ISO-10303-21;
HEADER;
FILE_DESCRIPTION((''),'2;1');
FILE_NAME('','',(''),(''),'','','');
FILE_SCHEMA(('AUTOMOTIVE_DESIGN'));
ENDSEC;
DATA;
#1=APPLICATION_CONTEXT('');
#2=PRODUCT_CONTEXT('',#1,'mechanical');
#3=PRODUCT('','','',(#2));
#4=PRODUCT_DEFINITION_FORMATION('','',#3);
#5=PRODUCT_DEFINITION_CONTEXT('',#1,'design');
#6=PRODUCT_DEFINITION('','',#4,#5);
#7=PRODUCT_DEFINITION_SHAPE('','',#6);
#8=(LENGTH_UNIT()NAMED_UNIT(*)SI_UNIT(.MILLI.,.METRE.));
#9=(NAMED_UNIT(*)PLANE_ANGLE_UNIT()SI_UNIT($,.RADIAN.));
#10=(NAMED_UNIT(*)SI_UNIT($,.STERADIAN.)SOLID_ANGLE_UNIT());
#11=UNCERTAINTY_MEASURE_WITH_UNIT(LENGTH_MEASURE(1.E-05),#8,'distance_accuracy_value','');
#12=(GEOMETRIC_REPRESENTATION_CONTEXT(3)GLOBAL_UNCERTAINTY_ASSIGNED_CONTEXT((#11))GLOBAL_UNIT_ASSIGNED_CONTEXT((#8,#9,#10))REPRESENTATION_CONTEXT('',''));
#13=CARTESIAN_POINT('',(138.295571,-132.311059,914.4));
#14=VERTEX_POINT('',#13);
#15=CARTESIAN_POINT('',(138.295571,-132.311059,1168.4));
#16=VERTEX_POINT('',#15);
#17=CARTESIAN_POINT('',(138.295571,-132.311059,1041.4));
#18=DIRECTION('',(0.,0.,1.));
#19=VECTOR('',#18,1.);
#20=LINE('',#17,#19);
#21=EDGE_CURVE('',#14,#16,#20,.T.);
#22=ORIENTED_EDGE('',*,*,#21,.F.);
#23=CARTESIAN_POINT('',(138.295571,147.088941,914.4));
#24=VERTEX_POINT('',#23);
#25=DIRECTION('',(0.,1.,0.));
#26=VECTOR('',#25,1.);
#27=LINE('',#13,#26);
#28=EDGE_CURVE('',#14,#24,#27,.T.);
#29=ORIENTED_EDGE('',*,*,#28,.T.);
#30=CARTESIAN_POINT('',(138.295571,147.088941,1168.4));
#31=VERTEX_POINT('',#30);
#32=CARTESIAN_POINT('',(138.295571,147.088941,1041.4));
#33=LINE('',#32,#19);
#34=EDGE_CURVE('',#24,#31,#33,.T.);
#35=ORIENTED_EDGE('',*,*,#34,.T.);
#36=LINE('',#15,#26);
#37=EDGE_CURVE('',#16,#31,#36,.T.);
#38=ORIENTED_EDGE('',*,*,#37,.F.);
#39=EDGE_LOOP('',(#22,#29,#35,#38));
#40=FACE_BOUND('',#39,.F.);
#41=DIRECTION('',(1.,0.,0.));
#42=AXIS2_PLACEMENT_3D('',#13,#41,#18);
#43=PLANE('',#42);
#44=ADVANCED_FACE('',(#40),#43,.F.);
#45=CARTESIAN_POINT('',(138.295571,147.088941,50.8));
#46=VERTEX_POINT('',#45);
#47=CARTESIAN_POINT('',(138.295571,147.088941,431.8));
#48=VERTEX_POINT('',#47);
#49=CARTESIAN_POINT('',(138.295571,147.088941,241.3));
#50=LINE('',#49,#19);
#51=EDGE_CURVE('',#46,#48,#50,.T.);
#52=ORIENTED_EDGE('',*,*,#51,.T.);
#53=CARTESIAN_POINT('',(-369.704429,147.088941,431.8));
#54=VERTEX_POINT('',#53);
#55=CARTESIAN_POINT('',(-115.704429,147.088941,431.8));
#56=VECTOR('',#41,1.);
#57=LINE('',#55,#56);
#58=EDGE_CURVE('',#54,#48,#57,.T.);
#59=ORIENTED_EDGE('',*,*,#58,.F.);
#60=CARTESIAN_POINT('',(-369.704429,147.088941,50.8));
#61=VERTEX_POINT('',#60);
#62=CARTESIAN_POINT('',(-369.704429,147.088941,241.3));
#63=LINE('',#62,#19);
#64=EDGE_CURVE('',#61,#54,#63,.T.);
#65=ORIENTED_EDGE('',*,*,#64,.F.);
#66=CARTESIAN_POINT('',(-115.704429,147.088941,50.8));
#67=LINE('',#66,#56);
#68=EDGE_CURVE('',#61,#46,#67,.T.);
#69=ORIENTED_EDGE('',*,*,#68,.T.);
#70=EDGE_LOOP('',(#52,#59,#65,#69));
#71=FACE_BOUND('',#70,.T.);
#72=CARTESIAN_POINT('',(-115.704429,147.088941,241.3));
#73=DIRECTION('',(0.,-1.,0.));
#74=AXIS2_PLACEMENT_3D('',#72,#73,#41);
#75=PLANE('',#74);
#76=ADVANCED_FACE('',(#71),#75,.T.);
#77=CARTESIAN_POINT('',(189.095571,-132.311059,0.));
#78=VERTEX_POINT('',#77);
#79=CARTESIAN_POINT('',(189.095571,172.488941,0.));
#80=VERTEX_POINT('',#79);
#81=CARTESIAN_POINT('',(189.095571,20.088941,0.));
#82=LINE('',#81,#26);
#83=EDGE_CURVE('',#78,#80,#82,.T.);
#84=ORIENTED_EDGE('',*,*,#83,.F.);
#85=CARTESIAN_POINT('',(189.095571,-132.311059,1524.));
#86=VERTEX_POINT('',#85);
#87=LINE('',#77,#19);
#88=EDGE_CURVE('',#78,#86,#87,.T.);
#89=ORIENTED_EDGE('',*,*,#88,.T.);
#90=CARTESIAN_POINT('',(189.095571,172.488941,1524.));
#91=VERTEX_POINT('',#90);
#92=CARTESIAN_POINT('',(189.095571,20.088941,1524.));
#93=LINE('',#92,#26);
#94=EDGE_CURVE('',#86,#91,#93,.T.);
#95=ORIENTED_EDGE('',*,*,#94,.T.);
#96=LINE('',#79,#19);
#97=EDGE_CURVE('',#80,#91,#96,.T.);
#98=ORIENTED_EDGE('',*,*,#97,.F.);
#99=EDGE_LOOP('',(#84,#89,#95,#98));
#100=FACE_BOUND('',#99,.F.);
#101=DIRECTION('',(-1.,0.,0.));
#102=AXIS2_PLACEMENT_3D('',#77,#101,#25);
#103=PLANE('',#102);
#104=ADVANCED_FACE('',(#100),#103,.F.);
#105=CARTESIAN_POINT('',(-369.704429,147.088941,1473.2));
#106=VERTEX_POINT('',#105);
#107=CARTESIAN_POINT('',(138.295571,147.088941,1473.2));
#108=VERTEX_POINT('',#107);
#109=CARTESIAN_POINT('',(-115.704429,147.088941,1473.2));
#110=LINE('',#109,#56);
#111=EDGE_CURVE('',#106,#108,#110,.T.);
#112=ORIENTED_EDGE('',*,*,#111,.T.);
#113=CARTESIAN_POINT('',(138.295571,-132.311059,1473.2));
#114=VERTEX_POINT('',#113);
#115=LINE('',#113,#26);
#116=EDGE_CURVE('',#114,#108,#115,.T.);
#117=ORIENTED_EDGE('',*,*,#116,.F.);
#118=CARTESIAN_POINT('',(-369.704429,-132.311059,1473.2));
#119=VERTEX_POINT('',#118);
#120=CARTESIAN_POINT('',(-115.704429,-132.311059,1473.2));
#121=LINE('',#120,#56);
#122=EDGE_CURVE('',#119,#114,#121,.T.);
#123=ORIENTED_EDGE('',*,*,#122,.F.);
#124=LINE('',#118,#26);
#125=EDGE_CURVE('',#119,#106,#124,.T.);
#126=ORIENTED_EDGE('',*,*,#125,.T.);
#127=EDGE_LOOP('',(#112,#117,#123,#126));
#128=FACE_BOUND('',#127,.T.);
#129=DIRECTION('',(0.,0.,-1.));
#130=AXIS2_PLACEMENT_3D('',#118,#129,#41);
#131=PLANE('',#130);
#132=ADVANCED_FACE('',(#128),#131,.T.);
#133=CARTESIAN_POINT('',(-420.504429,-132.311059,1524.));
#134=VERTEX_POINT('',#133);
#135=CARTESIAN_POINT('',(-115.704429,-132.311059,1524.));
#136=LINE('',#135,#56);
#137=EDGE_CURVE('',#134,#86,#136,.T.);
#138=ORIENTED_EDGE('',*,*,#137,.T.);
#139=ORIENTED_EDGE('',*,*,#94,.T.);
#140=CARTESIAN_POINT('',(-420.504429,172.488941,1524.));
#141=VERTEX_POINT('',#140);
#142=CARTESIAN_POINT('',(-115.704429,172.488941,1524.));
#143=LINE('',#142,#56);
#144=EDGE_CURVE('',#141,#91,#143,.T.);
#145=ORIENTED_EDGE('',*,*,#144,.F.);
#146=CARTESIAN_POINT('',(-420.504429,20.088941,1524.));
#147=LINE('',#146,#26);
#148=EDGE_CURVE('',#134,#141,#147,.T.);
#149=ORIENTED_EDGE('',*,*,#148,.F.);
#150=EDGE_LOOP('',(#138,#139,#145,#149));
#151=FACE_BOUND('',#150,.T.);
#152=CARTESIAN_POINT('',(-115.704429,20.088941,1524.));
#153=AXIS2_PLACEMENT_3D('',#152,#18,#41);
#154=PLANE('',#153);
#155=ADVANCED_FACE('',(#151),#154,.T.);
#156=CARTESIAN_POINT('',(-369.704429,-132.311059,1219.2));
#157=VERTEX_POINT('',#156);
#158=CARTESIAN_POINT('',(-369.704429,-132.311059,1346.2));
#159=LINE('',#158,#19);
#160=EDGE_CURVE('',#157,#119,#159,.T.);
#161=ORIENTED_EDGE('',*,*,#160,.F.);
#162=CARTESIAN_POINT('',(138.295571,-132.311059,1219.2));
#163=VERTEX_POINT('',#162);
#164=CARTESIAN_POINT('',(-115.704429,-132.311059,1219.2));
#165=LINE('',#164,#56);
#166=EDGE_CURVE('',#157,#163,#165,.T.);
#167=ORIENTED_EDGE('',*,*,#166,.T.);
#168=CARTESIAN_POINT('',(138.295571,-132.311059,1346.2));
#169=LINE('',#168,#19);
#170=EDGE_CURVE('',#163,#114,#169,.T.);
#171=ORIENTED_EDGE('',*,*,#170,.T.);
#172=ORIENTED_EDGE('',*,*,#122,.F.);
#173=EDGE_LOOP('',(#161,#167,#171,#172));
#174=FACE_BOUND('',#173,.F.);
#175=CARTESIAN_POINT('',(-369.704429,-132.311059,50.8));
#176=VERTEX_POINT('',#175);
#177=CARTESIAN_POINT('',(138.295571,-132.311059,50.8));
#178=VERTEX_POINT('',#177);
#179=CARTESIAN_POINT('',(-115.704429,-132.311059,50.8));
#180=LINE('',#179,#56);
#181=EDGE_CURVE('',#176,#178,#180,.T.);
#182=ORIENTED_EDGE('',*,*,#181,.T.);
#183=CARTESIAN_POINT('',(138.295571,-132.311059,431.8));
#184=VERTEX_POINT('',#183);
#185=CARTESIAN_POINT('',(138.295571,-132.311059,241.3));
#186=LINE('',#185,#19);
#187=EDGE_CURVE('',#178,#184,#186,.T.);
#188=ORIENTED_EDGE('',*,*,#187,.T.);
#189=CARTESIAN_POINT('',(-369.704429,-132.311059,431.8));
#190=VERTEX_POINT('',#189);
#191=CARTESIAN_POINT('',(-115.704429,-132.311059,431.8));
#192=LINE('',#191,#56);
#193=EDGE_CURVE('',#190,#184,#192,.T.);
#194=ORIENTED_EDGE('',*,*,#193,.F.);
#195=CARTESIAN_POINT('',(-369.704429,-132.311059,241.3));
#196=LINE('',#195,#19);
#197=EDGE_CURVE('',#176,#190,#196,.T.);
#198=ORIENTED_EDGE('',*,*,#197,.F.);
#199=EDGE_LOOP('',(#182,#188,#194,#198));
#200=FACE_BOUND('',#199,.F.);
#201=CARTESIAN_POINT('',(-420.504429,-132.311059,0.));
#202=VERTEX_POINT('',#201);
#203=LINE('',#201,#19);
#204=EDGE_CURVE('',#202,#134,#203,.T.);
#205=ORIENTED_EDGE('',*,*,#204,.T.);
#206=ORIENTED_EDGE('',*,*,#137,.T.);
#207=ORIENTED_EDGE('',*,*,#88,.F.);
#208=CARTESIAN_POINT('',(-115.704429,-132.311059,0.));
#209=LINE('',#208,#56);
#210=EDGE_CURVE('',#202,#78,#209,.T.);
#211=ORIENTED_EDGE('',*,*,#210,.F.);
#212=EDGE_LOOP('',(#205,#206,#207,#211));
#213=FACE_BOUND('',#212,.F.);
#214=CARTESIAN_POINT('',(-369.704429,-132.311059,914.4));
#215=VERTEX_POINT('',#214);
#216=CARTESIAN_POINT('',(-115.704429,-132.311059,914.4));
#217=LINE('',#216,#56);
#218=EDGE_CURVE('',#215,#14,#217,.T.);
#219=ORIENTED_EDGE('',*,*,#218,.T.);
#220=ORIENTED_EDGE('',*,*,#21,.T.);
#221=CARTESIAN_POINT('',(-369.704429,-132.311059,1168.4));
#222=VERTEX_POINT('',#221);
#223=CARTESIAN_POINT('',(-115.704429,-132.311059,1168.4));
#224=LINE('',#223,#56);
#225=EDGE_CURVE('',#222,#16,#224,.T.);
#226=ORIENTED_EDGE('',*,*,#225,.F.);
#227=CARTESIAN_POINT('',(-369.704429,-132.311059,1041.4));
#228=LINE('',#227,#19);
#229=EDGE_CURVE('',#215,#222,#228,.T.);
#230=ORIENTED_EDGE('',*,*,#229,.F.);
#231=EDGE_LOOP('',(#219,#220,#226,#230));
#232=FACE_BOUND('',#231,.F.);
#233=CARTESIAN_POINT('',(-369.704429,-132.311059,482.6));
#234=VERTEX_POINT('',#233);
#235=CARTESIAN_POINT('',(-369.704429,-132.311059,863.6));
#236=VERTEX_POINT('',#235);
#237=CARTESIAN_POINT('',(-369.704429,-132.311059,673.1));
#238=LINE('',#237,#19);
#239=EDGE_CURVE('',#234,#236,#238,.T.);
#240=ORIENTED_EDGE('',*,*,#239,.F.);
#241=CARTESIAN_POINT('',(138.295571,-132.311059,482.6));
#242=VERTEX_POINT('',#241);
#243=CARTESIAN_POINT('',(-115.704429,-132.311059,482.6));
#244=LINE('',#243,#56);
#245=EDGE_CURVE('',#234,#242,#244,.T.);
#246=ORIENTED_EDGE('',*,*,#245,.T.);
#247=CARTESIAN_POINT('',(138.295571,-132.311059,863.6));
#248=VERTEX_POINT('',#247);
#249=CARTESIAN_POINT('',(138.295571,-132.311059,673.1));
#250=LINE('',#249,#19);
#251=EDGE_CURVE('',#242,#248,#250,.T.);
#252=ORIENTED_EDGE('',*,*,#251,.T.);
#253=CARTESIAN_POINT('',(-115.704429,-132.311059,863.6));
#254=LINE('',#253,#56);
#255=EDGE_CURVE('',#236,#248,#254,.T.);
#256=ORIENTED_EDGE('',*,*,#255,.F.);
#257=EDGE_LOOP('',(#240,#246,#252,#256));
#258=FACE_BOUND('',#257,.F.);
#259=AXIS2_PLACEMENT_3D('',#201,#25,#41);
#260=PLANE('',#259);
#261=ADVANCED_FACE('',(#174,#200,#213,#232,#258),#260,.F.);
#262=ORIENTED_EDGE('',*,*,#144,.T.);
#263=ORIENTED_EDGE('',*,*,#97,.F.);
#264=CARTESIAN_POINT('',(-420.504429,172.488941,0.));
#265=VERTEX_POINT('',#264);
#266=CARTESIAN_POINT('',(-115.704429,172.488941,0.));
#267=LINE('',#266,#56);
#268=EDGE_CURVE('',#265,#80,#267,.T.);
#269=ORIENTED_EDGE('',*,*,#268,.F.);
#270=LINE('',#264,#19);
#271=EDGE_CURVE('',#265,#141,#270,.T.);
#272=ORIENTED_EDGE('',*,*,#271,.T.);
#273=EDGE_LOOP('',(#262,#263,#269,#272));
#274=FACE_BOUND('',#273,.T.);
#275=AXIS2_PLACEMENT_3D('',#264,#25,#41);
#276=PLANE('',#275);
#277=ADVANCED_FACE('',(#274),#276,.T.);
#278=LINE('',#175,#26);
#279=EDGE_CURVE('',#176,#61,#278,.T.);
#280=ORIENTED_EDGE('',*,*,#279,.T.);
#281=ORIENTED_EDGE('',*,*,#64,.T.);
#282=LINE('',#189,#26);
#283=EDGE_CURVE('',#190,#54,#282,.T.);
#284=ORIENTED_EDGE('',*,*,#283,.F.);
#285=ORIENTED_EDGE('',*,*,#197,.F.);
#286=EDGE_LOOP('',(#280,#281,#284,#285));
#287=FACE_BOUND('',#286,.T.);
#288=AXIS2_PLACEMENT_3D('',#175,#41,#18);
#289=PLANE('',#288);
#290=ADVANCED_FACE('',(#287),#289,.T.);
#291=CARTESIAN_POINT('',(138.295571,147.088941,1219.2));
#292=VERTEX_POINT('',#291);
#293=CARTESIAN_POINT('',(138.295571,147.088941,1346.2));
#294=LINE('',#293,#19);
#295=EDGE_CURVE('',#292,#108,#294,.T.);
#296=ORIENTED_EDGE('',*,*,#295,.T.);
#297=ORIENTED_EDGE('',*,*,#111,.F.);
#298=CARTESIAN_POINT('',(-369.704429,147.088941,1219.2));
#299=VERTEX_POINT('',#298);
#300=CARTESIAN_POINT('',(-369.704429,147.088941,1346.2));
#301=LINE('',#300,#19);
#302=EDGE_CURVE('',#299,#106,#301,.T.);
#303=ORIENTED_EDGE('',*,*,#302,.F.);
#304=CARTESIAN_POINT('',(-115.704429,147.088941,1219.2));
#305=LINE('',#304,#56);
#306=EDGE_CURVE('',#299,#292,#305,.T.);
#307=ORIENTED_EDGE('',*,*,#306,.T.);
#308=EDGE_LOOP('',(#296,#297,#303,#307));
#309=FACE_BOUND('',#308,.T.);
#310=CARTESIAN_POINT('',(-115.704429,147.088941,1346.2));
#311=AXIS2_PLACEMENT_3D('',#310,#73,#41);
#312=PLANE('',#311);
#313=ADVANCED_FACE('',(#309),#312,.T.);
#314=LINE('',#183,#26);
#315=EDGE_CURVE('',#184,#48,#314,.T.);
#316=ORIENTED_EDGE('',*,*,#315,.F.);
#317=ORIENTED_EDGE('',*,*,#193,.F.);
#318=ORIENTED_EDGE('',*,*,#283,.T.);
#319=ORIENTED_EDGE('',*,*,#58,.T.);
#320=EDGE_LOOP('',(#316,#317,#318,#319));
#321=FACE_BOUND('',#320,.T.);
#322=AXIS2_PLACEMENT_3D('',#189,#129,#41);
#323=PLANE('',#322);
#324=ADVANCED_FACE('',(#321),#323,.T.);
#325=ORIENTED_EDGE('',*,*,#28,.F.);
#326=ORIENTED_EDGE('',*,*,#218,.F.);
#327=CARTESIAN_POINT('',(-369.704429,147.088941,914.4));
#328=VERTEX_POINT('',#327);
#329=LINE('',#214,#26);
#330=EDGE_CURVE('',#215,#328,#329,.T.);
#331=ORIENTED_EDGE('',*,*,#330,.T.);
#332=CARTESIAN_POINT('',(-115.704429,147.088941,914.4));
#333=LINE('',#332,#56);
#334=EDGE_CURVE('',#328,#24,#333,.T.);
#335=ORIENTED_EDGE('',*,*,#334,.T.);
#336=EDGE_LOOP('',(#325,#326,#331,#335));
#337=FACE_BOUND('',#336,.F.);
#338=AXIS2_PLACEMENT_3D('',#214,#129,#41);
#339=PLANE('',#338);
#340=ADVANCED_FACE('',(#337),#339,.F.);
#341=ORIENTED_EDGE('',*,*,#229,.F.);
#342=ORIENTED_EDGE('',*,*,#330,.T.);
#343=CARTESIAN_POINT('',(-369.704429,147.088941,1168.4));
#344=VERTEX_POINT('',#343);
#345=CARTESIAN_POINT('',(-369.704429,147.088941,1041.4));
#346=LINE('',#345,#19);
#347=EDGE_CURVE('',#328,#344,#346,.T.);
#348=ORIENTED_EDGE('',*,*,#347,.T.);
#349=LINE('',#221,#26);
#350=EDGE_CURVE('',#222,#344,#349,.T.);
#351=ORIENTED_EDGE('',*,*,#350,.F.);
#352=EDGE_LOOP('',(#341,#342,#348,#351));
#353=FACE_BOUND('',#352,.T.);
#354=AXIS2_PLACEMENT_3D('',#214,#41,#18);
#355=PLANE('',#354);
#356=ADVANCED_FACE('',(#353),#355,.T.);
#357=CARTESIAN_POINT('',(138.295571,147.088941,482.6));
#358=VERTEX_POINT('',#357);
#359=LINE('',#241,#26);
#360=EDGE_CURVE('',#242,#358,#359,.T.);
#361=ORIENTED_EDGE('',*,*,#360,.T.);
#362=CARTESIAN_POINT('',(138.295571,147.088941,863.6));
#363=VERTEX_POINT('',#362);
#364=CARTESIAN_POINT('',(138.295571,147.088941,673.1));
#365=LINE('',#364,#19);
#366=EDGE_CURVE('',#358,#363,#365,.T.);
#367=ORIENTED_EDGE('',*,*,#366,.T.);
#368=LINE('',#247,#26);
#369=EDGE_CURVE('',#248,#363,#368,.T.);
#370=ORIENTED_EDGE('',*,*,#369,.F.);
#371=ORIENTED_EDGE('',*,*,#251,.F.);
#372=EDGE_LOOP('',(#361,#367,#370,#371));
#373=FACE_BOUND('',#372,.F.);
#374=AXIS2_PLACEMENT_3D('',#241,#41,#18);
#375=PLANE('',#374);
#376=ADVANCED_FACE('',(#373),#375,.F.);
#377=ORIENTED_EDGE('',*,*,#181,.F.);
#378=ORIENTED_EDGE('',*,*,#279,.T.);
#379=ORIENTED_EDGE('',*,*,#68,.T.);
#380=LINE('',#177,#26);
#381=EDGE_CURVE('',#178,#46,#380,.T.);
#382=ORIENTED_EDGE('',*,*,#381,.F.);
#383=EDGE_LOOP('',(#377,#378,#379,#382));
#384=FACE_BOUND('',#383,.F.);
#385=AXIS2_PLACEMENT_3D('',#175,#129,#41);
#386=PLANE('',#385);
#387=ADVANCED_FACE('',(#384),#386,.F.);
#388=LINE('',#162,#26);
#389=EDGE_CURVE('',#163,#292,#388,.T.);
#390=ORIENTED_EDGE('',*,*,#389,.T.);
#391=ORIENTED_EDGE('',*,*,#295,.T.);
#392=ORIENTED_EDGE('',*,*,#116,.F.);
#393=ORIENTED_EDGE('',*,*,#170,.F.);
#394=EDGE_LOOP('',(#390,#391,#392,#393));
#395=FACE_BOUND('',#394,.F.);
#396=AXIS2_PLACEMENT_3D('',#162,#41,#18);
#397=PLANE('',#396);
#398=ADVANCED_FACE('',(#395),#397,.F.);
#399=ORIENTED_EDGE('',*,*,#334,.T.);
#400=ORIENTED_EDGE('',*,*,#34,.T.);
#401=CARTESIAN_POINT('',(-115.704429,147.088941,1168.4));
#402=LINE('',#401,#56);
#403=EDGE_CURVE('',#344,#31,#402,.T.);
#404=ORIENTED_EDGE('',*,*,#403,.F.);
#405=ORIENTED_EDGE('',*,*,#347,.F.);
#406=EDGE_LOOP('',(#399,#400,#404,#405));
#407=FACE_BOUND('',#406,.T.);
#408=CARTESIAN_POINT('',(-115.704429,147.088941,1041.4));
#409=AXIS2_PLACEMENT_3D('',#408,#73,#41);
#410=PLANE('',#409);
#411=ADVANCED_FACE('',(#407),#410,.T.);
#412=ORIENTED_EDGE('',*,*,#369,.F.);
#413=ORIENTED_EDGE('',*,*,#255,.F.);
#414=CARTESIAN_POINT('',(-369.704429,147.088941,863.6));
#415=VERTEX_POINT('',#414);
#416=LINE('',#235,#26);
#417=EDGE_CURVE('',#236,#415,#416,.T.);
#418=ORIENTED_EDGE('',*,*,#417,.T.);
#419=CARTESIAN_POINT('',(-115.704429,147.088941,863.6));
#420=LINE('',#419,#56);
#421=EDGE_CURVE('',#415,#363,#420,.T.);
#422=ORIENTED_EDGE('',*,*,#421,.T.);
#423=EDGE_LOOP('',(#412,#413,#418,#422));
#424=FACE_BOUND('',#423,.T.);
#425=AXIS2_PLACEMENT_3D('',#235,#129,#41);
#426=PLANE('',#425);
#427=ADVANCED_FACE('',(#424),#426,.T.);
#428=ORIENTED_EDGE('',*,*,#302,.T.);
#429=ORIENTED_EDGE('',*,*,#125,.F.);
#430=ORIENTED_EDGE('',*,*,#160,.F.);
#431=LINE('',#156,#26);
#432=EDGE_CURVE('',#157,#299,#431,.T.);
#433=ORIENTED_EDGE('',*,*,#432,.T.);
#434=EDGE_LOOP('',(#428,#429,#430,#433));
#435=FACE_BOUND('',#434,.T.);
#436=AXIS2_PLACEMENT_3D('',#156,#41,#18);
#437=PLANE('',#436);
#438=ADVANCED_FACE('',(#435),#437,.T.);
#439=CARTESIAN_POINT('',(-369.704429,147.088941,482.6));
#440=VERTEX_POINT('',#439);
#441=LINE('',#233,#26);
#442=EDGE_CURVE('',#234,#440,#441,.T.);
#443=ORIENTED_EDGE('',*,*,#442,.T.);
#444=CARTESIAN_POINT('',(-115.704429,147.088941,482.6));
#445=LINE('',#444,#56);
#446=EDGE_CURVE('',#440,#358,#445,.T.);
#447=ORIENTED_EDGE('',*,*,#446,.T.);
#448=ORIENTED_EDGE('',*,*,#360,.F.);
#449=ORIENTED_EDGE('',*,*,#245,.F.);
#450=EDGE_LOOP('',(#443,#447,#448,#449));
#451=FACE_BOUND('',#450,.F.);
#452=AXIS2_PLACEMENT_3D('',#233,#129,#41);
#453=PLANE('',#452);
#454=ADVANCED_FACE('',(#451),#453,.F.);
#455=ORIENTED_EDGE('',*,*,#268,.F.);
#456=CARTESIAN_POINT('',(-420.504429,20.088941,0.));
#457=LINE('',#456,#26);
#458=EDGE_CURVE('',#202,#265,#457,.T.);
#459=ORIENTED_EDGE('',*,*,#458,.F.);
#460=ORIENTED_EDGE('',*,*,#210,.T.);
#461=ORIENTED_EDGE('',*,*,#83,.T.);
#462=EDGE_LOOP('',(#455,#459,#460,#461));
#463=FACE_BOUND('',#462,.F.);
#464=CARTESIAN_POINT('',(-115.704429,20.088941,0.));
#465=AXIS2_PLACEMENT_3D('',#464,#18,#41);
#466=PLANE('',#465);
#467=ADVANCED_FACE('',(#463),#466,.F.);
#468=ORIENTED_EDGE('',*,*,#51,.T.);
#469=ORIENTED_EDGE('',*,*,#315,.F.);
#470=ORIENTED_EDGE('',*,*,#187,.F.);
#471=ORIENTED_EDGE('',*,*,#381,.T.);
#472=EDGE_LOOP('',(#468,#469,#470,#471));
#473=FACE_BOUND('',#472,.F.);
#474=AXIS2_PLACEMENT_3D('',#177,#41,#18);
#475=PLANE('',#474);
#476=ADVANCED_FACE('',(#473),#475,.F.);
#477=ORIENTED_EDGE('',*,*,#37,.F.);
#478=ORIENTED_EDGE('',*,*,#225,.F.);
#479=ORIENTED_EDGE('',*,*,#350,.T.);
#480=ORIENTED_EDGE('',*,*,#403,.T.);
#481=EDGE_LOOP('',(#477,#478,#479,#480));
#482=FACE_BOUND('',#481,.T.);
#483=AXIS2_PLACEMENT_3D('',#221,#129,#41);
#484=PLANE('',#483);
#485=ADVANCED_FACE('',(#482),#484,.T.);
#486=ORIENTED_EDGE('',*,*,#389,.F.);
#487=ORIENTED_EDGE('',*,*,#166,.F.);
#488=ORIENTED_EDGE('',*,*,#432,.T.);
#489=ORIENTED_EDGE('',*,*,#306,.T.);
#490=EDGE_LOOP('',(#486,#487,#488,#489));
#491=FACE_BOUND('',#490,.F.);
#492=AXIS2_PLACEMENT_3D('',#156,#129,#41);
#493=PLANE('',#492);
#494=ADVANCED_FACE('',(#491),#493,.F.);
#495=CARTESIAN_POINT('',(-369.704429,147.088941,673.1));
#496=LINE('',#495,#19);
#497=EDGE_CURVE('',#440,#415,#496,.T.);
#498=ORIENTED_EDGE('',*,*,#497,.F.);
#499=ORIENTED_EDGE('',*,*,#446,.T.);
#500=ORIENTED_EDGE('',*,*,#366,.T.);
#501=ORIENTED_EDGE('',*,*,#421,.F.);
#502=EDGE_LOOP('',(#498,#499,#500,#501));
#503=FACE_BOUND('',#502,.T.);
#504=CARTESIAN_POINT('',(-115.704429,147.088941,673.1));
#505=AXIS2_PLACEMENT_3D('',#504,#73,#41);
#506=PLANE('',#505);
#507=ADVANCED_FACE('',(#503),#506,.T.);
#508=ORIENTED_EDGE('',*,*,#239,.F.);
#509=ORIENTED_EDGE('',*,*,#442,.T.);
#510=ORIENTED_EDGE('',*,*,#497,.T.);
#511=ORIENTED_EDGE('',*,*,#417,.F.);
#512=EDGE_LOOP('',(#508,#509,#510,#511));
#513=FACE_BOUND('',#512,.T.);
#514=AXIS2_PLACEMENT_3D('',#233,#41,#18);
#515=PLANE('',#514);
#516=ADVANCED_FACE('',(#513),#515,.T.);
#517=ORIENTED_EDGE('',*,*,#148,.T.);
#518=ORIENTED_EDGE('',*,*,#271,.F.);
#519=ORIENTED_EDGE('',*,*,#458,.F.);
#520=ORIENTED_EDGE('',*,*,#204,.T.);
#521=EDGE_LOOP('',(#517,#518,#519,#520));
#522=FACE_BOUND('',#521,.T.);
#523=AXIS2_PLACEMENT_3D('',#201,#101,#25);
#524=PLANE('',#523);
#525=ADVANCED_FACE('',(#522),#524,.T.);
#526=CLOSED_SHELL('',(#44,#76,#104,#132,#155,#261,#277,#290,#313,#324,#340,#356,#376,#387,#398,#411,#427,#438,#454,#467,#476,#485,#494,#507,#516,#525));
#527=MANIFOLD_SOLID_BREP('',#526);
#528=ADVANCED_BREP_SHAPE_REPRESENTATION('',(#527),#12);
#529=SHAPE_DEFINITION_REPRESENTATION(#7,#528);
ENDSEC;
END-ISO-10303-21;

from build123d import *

# Parameters (mm, degrees)
F0_W     = 609.6
F0_H     = 304.8
F1_DEPTH = 1524
F2_W     = 508
F2_H     = 254
F2_H_2   = 381
F3_DEPTH = 279.4


with BuildPart() as f1:
    # F0 (on Top) → F1 (new body)
    with BuildSketch(Plane.XY):
        with Locations((-115.704429, 20.088941)):
            Rectangle(F0_W, F0_H)
    extrude(amount=F1_DEPTH)

    # F2 (on face) → F3 (cut)
    with BuildSketch(Plane.XZ.offset(132.311059)):
        with Locations((-115.704429, 1346.2)):
            Rectangle(F2_W, F2_H)
        with Locations((-115.704429, 1041.4)):
            Rectangle(F2_W, F2_H)
        with Locations((-115.704429, 673.1)):
            Rectangle(F2_W, F2_H_2)
        with Locations((-115.704429, 241.3)):
            Rectangle(F2_W, F2_H_2)
    extrude(amount=-F3_DEPTH, mode=Mode.SUBTRACT)


solid = f1.part
